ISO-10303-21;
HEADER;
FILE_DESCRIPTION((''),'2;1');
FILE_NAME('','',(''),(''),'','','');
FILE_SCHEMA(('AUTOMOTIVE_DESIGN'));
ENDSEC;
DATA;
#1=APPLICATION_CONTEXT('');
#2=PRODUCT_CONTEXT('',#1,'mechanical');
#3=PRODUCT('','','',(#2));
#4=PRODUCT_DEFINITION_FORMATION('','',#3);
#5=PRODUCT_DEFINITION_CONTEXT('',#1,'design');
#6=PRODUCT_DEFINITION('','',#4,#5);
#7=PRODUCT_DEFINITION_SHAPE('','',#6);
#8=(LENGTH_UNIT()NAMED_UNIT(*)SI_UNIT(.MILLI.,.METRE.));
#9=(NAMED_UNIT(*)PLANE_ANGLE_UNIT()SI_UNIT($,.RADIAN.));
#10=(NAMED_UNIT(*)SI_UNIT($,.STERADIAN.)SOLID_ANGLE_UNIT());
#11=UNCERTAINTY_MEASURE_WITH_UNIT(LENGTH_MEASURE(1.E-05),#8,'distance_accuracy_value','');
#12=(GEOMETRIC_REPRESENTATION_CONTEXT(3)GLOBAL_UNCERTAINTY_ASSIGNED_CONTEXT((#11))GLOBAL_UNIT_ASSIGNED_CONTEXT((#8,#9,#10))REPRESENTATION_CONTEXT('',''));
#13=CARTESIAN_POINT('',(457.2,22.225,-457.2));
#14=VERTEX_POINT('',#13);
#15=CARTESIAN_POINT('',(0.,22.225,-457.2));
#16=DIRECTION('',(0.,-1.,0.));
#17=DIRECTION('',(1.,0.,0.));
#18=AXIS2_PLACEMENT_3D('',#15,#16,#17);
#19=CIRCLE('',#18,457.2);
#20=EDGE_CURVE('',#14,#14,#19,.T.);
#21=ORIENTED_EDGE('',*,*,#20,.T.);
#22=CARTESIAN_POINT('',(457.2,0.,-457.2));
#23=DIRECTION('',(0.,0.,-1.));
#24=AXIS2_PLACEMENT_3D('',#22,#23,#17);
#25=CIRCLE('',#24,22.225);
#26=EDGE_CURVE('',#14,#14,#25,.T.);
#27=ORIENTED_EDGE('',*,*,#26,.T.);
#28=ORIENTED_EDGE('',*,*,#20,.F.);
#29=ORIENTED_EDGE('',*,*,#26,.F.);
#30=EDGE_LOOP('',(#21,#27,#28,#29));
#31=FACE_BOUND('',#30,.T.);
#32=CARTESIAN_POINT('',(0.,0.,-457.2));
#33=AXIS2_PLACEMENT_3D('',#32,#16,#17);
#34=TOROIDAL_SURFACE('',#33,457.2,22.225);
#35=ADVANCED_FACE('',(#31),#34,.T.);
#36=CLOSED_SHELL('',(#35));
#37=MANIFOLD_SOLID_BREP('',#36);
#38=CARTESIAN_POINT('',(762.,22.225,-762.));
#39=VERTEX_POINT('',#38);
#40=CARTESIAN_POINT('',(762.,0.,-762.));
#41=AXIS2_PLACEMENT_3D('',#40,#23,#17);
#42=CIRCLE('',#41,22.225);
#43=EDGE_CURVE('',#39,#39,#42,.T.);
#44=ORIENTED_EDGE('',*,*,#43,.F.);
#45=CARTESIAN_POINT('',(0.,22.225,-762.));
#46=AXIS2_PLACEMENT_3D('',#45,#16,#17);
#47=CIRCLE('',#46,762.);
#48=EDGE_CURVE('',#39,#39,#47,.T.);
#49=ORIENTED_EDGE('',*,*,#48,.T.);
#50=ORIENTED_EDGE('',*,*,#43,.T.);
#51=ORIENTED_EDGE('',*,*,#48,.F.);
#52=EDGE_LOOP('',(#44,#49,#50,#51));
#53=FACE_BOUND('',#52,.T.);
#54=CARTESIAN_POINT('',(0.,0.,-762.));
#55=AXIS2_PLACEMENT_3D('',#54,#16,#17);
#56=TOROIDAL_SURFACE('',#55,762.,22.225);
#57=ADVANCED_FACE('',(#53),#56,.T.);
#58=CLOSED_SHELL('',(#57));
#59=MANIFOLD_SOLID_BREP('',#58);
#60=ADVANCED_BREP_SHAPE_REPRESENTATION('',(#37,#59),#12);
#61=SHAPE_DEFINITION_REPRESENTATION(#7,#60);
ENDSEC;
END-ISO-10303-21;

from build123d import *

# Parameters (mm, degrees)
F0_R = 22.225
F3_R = 22.225


with BuildPart() as f2:
    # F2: sweep along a path in F1
    with BuildLine(Plane.XZ) as f2_path:
        CenterArc((0, -762), 762, 0, 360)
    # F0 (on Right) → F2 (sweep)
    with BuildSketch(Plane.YZ):
        Circle(F0_R)
    sweep(path=f2_path.line)


with BuildPart() as f5:
    # F5: sweep along a path in F4
    with BuildLine(Plane.XZ) as f5_path:
        CenterArc((0, -457.2), 457.2, 0, 360)
    # F3 (on Right) → F5 (sweep)
    with BuildSketch(Plane.YZ):
        Circle(F3_R)
    sweep(path=f5_path.line)


solid = Compound([f2.part, f5.part])
